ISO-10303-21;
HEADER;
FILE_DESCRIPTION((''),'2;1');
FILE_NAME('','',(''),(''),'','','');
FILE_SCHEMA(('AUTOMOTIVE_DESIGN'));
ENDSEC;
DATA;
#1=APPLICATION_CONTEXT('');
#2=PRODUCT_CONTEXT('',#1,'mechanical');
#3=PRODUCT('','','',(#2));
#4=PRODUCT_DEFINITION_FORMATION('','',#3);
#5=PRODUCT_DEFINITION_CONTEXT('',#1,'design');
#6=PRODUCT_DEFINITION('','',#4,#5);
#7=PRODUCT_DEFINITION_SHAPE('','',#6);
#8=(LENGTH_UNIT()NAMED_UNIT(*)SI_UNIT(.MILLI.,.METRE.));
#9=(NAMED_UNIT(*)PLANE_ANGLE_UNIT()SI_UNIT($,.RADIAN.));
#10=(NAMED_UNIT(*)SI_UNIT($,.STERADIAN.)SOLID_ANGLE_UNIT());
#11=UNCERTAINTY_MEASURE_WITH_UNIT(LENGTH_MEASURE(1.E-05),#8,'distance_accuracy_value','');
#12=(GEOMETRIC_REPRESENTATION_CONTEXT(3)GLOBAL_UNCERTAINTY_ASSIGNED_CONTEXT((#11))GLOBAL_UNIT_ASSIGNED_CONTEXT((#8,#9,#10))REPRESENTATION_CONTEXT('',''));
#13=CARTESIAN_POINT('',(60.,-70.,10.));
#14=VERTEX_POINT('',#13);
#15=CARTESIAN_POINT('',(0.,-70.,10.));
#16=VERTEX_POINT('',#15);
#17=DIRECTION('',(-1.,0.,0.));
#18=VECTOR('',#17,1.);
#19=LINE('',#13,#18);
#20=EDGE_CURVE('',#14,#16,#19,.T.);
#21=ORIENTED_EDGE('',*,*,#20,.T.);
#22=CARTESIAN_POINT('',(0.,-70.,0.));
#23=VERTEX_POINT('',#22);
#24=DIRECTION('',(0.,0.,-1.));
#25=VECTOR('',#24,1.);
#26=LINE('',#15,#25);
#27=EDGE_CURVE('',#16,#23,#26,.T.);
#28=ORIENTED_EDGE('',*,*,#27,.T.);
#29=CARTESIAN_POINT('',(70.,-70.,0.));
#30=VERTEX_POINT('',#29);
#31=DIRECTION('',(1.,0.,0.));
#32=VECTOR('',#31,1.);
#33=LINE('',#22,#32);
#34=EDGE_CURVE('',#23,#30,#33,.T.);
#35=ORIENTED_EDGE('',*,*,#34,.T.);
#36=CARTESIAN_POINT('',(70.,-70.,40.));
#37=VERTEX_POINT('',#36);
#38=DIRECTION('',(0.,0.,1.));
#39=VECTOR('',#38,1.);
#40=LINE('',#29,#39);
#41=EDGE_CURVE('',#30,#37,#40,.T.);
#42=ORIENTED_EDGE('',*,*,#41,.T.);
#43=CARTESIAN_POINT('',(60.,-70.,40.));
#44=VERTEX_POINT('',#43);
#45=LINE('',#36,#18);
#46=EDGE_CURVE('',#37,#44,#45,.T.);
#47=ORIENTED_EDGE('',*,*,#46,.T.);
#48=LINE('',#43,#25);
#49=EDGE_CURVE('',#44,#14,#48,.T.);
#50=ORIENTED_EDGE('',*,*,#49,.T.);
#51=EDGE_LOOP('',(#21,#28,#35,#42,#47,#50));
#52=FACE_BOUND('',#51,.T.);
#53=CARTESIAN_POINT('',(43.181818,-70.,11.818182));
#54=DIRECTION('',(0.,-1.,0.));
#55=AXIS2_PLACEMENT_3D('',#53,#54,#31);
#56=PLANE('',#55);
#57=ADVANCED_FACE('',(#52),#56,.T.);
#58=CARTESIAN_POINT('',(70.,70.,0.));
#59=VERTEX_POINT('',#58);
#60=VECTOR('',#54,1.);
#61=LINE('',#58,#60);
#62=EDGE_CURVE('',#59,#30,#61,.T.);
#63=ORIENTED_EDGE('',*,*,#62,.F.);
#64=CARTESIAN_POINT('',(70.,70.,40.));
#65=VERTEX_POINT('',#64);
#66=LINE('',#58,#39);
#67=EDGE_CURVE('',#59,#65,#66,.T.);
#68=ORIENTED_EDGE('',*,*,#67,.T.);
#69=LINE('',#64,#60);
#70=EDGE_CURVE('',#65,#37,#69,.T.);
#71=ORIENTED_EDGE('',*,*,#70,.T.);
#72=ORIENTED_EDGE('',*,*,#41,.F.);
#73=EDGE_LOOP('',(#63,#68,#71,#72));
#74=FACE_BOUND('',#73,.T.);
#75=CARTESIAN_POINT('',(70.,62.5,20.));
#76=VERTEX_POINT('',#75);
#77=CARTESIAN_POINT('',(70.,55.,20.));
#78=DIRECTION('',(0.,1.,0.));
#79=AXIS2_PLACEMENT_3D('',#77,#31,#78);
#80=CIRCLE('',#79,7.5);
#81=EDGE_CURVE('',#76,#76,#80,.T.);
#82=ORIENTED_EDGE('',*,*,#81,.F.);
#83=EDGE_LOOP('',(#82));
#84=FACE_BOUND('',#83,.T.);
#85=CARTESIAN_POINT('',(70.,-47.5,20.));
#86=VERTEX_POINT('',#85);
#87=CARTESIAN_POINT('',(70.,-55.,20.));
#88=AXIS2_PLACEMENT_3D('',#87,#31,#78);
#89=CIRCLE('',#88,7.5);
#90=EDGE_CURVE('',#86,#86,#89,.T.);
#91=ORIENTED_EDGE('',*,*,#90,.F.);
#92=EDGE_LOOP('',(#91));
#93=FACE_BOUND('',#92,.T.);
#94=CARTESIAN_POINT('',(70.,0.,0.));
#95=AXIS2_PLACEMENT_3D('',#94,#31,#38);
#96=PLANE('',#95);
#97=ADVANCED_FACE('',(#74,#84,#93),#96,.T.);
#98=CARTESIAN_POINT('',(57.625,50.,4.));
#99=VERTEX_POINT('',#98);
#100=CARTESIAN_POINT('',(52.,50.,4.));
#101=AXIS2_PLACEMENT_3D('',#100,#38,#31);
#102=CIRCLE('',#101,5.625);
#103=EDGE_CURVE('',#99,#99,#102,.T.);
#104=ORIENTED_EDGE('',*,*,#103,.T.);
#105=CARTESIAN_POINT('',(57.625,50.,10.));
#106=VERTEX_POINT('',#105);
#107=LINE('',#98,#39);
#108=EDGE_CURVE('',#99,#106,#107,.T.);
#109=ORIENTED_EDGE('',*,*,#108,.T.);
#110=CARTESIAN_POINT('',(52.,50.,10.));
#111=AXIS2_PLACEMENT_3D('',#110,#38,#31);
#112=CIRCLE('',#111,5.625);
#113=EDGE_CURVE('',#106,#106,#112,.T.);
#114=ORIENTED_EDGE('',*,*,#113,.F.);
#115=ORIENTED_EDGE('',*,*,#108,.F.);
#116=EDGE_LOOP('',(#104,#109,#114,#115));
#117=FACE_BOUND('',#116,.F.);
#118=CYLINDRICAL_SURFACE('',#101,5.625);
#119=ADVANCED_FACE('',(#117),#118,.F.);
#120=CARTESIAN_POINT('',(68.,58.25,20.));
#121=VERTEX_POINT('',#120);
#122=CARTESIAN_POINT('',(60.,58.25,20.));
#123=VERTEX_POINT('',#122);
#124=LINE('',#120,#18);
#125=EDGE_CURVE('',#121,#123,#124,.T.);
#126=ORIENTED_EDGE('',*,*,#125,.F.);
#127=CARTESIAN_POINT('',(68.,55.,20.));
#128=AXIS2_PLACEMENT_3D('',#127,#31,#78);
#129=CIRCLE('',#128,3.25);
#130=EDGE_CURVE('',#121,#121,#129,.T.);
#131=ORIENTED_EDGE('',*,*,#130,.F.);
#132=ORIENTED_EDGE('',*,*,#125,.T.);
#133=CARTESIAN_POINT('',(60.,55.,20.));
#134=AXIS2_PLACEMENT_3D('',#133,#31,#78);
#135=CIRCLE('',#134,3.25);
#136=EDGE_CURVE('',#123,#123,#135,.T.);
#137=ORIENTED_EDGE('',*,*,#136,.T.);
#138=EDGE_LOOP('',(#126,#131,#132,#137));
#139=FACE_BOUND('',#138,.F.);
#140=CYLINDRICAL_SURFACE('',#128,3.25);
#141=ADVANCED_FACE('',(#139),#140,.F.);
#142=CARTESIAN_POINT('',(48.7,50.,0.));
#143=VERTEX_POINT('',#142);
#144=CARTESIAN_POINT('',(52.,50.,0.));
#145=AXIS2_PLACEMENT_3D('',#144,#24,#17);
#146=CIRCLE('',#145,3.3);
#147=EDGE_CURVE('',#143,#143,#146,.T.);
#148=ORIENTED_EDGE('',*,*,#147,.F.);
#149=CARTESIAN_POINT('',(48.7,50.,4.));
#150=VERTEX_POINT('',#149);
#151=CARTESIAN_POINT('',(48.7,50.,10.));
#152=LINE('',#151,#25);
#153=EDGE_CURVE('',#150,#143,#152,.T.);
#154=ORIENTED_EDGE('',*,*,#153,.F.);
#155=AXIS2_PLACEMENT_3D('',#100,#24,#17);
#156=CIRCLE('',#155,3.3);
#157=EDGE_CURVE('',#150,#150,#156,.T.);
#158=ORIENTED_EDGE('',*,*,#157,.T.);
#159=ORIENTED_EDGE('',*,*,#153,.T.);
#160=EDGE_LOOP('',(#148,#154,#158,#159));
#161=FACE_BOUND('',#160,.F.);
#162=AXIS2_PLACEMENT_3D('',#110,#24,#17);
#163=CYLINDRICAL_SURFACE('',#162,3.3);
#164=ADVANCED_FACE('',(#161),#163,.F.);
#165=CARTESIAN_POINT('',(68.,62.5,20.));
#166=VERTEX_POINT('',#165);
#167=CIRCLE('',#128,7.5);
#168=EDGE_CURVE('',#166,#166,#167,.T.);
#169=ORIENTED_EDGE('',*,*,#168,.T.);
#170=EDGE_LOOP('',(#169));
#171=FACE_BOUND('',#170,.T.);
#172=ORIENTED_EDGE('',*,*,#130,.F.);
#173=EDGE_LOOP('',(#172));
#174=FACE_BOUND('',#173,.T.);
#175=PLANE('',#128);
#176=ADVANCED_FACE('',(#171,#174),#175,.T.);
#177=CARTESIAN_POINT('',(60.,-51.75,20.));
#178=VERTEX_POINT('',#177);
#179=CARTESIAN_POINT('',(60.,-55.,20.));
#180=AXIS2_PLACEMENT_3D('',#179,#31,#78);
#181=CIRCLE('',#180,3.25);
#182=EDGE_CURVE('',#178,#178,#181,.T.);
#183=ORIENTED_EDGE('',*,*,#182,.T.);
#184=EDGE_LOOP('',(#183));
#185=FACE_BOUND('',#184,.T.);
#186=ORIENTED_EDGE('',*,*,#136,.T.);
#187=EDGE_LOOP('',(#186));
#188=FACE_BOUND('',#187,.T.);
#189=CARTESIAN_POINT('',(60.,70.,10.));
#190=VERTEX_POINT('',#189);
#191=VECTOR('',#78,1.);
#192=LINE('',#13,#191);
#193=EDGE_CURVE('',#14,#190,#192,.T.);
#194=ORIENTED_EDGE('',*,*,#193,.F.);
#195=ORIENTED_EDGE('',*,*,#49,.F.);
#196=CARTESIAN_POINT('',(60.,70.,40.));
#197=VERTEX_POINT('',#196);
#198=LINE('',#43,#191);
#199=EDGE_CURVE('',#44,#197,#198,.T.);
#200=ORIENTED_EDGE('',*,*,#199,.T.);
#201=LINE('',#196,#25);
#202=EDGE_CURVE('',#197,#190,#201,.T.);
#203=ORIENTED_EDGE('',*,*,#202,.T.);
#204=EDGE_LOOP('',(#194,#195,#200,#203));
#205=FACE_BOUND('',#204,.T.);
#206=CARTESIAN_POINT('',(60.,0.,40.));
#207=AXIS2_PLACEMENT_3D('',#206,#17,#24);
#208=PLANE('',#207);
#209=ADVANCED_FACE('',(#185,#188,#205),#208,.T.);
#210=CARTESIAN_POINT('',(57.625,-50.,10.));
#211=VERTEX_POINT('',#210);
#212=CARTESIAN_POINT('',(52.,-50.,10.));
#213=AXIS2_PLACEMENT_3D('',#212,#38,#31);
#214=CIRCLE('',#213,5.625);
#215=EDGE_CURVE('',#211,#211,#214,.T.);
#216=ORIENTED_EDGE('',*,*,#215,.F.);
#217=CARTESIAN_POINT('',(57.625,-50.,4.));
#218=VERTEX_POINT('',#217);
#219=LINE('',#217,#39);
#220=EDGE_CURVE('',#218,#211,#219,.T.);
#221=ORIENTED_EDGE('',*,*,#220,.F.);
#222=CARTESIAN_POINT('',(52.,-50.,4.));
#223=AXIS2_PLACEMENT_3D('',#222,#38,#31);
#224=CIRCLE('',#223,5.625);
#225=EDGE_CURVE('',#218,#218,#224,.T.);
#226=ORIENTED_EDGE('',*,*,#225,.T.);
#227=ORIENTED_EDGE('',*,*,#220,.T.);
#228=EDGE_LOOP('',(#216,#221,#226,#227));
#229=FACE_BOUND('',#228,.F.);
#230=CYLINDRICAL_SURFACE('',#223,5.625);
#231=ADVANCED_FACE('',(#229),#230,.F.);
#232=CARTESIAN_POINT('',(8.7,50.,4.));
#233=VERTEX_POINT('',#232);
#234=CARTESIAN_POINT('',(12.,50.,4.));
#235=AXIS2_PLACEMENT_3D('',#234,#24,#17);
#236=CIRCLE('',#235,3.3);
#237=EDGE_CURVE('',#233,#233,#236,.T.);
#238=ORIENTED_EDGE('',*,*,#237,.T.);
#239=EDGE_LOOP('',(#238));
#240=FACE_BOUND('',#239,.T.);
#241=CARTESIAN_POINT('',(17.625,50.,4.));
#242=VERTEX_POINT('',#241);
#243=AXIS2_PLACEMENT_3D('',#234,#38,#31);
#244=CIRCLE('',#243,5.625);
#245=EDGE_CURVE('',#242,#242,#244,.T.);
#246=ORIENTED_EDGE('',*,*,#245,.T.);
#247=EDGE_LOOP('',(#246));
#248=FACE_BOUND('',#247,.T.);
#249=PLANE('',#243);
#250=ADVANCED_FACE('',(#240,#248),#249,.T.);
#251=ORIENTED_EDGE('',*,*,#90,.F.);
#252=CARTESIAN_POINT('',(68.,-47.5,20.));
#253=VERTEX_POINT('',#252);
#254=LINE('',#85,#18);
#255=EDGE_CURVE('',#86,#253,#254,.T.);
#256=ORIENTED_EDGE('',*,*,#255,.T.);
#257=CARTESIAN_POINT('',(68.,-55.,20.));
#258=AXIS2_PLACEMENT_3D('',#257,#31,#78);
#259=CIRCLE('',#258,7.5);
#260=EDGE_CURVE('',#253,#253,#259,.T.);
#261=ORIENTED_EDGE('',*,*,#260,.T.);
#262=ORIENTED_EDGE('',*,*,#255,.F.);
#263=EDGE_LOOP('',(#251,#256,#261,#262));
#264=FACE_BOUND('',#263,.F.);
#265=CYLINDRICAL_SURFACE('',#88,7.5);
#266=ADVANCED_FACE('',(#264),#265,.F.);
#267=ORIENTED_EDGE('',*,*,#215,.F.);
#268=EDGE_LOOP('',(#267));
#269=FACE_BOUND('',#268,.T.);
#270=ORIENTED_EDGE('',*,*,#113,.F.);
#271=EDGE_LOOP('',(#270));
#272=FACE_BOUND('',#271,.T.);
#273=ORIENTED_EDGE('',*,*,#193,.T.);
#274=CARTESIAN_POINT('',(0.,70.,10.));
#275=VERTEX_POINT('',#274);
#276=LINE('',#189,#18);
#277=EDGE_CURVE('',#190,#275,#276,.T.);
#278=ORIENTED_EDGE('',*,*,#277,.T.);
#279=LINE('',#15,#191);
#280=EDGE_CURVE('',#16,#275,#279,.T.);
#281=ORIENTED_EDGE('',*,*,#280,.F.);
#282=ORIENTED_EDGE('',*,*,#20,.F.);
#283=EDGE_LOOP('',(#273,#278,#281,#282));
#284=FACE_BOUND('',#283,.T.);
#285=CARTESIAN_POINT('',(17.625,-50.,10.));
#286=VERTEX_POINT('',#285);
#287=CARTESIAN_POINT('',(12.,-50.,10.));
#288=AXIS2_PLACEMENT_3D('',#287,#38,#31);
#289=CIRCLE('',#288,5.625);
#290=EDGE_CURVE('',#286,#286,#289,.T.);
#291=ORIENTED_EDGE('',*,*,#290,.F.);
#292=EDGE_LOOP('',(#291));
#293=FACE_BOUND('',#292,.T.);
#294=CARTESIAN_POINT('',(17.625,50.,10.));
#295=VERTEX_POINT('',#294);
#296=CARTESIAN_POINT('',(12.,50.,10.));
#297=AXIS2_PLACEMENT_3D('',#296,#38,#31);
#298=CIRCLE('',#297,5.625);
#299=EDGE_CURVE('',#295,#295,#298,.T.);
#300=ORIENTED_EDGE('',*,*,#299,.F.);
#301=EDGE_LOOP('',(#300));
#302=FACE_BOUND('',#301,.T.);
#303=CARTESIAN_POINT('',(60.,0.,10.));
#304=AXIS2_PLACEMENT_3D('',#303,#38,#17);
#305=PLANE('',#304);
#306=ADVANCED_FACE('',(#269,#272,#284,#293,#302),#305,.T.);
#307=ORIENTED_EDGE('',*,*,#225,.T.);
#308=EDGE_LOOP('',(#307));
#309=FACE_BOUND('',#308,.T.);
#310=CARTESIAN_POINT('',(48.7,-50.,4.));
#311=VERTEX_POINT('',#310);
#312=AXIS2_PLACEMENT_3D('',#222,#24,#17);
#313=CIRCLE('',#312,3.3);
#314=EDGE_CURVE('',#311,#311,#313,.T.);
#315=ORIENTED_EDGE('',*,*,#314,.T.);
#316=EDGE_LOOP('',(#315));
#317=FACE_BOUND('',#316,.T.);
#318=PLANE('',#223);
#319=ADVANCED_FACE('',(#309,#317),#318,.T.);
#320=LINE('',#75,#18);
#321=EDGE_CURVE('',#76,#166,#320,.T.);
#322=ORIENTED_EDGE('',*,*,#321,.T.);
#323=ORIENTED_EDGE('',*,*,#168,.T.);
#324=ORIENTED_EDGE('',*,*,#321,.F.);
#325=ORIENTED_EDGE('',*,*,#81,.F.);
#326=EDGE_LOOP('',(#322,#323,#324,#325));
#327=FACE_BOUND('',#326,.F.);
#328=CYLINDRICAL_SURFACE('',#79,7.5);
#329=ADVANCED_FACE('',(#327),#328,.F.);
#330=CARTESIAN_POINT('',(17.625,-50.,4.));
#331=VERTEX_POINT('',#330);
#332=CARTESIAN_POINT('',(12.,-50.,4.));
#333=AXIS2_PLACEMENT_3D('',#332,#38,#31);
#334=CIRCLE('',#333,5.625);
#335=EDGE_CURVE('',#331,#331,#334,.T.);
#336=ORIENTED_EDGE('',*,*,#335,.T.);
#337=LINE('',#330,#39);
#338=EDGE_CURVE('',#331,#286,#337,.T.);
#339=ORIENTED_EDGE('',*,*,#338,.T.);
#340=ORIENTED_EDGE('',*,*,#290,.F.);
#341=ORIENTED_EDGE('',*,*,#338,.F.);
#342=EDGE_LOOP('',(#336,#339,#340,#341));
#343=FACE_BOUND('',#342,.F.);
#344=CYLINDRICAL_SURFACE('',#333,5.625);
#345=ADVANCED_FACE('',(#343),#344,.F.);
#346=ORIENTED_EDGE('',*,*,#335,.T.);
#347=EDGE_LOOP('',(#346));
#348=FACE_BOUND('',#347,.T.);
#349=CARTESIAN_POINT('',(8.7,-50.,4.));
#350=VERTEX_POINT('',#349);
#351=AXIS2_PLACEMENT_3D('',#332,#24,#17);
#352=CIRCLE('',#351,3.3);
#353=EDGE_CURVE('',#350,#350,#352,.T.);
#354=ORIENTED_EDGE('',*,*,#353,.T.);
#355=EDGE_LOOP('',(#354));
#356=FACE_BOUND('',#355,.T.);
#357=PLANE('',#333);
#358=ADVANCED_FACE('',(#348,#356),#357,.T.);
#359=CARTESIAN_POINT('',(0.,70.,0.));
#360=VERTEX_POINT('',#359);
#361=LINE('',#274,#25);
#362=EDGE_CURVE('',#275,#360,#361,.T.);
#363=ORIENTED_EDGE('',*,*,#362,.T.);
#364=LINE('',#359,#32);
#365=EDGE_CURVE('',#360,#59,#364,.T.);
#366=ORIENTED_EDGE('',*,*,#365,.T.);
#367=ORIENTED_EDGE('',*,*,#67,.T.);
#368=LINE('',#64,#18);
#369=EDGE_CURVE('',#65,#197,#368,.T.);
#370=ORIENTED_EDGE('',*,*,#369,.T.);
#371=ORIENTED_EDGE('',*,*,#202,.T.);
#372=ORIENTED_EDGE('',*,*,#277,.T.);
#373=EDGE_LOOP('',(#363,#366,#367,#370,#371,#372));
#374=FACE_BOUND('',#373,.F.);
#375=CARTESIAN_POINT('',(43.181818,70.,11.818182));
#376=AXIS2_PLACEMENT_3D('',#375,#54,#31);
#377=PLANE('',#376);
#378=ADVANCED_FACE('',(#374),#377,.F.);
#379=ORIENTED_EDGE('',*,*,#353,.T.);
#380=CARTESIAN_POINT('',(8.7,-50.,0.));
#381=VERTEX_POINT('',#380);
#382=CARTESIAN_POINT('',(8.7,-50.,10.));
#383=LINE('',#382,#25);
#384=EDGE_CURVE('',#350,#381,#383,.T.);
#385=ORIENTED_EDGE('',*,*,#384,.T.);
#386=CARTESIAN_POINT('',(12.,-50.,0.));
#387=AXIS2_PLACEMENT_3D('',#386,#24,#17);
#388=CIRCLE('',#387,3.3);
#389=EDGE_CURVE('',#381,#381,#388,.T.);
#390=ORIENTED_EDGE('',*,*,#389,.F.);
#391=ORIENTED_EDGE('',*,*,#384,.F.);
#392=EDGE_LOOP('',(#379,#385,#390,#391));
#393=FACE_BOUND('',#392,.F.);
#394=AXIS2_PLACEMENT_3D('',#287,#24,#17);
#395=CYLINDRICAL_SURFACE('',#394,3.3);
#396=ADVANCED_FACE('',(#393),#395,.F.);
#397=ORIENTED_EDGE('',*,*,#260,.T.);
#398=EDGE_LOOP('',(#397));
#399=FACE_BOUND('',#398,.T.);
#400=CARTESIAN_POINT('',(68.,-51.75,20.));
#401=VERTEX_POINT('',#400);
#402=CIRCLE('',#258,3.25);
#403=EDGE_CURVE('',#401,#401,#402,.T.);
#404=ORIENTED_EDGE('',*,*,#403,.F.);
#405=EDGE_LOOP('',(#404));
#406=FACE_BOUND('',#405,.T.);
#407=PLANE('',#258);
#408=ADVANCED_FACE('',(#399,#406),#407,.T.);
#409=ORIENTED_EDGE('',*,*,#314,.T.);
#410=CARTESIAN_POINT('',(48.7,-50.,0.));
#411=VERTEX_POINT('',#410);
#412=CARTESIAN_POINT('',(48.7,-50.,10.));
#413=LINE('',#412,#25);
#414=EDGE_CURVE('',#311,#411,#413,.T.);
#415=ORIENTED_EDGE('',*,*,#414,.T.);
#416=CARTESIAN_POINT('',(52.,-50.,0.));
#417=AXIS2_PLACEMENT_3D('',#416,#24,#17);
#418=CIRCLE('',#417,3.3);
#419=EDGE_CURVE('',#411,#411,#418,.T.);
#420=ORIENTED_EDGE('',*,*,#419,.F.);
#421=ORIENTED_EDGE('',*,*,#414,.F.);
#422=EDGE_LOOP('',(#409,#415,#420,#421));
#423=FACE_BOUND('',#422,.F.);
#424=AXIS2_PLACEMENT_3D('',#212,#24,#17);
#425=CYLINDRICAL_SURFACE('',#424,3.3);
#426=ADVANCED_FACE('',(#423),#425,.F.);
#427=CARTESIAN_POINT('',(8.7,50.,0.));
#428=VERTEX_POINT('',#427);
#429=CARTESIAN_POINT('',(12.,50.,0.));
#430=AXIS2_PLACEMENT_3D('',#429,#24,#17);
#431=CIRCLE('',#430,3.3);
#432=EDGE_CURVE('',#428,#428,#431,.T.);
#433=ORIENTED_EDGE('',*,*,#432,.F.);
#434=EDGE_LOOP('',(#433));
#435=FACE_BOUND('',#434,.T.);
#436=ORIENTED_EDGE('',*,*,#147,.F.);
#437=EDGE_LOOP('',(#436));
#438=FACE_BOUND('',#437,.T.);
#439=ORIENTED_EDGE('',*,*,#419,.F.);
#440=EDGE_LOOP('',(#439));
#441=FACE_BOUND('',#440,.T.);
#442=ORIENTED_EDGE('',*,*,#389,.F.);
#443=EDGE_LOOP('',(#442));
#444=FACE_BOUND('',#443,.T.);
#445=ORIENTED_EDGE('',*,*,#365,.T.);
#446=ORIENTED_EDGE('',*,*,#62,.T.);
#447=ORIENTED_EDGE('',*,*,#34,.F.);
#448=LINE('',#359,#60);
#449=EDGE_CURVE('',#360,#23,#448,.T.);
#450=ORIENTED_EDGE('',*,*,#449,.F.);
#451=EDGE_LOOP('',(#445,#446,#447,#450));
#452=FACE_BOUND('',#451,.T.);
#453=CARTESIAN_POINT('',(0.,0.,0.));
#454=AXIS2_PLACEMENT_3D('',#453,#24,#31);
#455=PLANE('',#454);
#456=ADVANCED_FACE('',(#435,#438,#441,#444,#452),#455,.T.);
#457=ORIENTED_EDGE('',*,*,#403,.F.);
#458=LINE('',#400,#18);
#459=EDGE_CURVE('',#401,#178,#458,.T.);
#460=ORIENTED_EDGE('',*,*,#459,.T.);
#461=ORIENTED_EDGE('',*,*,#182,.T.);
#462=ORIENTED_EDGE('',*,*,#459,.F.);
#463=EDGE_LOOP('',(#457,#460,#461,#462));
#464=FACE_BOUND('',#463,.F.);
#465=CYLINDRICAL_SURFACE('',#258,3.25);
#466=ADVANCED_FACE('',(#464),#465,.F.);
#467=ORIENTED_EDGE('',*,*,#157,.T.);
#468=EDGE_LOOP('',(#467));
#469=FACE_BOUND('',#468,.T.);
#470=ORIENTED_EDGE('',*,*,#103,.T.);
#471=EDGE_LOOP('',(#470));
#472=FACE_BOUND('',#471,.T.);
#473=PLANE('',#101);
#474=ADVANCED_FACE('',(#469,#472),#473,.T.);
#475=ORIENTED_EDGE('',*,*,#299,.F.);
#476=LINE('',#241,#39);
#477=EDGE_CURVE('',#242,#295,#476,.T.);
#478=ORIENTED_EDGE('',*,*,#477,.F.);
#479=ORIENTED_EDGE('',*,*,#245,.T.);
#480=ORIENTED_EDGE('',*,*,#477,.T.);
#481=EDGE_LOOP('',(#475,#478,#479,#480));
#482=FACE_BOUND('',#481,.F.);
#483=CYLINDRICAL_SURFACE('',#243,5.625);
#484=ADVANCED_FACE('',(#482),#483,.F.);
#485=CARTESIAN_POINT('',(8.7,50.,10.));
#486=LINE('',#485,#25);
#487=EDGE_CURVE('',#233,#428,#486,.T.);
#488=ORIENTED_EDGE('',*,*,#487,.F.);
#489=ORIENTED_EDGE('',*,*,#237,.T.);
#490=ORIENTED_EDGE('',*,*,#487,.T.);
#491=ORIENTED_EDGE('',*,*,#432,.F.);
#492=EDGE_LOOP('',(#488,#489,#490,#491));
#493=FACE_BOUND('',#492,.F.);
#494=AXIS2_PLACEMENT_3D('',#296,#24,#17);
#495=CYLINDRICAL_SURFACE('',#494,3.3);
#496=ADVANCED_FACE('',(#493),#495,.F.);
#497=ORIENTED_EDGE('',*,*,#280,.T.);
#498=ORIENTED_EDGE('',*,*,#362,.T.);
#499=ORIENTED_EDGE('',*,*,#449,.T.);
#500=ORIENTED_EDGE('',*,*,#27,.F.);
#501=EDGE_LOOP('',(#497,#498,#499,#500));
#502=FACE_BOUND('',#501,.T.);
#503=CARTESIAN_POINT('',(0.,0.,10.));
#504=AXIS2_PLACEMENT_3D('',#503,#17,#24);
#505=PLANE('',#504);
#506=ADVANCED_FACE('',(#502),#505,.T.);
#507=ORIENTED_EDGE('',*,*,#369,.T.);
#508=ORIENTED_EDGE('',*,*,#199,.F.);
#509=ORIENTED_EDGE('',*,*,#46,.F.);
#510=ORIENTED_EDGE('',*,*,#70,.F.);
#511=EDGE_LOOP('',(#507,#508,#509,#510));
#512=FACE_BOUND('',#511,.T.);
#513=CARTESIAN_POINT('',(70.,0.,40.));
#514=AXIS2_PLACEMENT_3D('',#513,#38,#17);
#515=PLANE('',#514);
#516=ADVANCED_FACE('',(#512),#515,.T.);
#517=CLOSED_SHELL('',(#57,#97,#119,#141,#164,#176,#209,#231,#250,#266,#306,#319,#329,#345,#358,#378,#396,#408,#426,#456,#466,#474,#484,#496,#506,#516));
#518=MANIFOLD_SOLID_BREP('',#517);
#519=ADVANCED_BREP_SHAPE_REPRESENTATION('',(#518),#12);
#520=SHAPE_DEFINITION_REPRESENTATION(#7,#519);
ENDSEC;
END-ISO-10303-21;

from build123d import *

# Parameters (mm, degrees)
F1_DEPTH       = 70
F3_D           = 6.6
F3_DEPTH       = 12
F3_CBORE_D     = 11.25
F3_CBORE_DEPTH = 6
F3_TIP         = 1.9828400428
F4_R           = 7.5
F5_DEPTH       = 2
F6_R           = 3.25
F7_R           = 3.25
F8_DEPTH       = 25


with BuildPart() as f1:
    # F0 (on Front) → F1 (new body, symmetric)
    with BuildSketch(Plane.XZ):
        Polygon((0, 10), (0, 0), (70, 0), (70, 40), (60, 40), (60, 10), align=None)
    extrude(amount=F1_DEPTH, both=True)

    # F3
    with Locations(Plane.XY.offset(10)):
        with Locations((12, 50), (52, 50), (52, -50), (12, -50)):
            CounterBoreHole(F3_D / 2, F3_CBORE_D / 2, F3_CBORE_DEPTH, depth=F3_DEPTH)
            with Locations((0, 0, -(F3_DEPTH + F3_TIP / 2))):  # 118° drill point
                Cone(0, F3_D / 2, F3_TIP, mode=Mode.SUBTRACT)

    # F4 (on face) → F5 (cut)
    with BuildSketch(Plane.YZ.offset(70)):
        with Locations((-55, 20)):
            Circle(F4_R)
        with Locations((55, 20)):
            Circle(F4_R)
    extrude(amount=-F5_DEPTH, mode=Mode.SUBTRACT)

    # F6 (on face) + F7 (on face) → F8 (cut)
    with BuildSketch(Plane.YZ.offset(68)):
        with Locations((-55, 20)):
            Circle(F6_R)
    with BuildSketch(Plane.YZ.offset(68)):
        with Locations((55, 20)):
            Circle(F7_R)
    extrude(amount=-F8_DEPTH, mode=Mode.SUBTRACT)


solid = f1.part
